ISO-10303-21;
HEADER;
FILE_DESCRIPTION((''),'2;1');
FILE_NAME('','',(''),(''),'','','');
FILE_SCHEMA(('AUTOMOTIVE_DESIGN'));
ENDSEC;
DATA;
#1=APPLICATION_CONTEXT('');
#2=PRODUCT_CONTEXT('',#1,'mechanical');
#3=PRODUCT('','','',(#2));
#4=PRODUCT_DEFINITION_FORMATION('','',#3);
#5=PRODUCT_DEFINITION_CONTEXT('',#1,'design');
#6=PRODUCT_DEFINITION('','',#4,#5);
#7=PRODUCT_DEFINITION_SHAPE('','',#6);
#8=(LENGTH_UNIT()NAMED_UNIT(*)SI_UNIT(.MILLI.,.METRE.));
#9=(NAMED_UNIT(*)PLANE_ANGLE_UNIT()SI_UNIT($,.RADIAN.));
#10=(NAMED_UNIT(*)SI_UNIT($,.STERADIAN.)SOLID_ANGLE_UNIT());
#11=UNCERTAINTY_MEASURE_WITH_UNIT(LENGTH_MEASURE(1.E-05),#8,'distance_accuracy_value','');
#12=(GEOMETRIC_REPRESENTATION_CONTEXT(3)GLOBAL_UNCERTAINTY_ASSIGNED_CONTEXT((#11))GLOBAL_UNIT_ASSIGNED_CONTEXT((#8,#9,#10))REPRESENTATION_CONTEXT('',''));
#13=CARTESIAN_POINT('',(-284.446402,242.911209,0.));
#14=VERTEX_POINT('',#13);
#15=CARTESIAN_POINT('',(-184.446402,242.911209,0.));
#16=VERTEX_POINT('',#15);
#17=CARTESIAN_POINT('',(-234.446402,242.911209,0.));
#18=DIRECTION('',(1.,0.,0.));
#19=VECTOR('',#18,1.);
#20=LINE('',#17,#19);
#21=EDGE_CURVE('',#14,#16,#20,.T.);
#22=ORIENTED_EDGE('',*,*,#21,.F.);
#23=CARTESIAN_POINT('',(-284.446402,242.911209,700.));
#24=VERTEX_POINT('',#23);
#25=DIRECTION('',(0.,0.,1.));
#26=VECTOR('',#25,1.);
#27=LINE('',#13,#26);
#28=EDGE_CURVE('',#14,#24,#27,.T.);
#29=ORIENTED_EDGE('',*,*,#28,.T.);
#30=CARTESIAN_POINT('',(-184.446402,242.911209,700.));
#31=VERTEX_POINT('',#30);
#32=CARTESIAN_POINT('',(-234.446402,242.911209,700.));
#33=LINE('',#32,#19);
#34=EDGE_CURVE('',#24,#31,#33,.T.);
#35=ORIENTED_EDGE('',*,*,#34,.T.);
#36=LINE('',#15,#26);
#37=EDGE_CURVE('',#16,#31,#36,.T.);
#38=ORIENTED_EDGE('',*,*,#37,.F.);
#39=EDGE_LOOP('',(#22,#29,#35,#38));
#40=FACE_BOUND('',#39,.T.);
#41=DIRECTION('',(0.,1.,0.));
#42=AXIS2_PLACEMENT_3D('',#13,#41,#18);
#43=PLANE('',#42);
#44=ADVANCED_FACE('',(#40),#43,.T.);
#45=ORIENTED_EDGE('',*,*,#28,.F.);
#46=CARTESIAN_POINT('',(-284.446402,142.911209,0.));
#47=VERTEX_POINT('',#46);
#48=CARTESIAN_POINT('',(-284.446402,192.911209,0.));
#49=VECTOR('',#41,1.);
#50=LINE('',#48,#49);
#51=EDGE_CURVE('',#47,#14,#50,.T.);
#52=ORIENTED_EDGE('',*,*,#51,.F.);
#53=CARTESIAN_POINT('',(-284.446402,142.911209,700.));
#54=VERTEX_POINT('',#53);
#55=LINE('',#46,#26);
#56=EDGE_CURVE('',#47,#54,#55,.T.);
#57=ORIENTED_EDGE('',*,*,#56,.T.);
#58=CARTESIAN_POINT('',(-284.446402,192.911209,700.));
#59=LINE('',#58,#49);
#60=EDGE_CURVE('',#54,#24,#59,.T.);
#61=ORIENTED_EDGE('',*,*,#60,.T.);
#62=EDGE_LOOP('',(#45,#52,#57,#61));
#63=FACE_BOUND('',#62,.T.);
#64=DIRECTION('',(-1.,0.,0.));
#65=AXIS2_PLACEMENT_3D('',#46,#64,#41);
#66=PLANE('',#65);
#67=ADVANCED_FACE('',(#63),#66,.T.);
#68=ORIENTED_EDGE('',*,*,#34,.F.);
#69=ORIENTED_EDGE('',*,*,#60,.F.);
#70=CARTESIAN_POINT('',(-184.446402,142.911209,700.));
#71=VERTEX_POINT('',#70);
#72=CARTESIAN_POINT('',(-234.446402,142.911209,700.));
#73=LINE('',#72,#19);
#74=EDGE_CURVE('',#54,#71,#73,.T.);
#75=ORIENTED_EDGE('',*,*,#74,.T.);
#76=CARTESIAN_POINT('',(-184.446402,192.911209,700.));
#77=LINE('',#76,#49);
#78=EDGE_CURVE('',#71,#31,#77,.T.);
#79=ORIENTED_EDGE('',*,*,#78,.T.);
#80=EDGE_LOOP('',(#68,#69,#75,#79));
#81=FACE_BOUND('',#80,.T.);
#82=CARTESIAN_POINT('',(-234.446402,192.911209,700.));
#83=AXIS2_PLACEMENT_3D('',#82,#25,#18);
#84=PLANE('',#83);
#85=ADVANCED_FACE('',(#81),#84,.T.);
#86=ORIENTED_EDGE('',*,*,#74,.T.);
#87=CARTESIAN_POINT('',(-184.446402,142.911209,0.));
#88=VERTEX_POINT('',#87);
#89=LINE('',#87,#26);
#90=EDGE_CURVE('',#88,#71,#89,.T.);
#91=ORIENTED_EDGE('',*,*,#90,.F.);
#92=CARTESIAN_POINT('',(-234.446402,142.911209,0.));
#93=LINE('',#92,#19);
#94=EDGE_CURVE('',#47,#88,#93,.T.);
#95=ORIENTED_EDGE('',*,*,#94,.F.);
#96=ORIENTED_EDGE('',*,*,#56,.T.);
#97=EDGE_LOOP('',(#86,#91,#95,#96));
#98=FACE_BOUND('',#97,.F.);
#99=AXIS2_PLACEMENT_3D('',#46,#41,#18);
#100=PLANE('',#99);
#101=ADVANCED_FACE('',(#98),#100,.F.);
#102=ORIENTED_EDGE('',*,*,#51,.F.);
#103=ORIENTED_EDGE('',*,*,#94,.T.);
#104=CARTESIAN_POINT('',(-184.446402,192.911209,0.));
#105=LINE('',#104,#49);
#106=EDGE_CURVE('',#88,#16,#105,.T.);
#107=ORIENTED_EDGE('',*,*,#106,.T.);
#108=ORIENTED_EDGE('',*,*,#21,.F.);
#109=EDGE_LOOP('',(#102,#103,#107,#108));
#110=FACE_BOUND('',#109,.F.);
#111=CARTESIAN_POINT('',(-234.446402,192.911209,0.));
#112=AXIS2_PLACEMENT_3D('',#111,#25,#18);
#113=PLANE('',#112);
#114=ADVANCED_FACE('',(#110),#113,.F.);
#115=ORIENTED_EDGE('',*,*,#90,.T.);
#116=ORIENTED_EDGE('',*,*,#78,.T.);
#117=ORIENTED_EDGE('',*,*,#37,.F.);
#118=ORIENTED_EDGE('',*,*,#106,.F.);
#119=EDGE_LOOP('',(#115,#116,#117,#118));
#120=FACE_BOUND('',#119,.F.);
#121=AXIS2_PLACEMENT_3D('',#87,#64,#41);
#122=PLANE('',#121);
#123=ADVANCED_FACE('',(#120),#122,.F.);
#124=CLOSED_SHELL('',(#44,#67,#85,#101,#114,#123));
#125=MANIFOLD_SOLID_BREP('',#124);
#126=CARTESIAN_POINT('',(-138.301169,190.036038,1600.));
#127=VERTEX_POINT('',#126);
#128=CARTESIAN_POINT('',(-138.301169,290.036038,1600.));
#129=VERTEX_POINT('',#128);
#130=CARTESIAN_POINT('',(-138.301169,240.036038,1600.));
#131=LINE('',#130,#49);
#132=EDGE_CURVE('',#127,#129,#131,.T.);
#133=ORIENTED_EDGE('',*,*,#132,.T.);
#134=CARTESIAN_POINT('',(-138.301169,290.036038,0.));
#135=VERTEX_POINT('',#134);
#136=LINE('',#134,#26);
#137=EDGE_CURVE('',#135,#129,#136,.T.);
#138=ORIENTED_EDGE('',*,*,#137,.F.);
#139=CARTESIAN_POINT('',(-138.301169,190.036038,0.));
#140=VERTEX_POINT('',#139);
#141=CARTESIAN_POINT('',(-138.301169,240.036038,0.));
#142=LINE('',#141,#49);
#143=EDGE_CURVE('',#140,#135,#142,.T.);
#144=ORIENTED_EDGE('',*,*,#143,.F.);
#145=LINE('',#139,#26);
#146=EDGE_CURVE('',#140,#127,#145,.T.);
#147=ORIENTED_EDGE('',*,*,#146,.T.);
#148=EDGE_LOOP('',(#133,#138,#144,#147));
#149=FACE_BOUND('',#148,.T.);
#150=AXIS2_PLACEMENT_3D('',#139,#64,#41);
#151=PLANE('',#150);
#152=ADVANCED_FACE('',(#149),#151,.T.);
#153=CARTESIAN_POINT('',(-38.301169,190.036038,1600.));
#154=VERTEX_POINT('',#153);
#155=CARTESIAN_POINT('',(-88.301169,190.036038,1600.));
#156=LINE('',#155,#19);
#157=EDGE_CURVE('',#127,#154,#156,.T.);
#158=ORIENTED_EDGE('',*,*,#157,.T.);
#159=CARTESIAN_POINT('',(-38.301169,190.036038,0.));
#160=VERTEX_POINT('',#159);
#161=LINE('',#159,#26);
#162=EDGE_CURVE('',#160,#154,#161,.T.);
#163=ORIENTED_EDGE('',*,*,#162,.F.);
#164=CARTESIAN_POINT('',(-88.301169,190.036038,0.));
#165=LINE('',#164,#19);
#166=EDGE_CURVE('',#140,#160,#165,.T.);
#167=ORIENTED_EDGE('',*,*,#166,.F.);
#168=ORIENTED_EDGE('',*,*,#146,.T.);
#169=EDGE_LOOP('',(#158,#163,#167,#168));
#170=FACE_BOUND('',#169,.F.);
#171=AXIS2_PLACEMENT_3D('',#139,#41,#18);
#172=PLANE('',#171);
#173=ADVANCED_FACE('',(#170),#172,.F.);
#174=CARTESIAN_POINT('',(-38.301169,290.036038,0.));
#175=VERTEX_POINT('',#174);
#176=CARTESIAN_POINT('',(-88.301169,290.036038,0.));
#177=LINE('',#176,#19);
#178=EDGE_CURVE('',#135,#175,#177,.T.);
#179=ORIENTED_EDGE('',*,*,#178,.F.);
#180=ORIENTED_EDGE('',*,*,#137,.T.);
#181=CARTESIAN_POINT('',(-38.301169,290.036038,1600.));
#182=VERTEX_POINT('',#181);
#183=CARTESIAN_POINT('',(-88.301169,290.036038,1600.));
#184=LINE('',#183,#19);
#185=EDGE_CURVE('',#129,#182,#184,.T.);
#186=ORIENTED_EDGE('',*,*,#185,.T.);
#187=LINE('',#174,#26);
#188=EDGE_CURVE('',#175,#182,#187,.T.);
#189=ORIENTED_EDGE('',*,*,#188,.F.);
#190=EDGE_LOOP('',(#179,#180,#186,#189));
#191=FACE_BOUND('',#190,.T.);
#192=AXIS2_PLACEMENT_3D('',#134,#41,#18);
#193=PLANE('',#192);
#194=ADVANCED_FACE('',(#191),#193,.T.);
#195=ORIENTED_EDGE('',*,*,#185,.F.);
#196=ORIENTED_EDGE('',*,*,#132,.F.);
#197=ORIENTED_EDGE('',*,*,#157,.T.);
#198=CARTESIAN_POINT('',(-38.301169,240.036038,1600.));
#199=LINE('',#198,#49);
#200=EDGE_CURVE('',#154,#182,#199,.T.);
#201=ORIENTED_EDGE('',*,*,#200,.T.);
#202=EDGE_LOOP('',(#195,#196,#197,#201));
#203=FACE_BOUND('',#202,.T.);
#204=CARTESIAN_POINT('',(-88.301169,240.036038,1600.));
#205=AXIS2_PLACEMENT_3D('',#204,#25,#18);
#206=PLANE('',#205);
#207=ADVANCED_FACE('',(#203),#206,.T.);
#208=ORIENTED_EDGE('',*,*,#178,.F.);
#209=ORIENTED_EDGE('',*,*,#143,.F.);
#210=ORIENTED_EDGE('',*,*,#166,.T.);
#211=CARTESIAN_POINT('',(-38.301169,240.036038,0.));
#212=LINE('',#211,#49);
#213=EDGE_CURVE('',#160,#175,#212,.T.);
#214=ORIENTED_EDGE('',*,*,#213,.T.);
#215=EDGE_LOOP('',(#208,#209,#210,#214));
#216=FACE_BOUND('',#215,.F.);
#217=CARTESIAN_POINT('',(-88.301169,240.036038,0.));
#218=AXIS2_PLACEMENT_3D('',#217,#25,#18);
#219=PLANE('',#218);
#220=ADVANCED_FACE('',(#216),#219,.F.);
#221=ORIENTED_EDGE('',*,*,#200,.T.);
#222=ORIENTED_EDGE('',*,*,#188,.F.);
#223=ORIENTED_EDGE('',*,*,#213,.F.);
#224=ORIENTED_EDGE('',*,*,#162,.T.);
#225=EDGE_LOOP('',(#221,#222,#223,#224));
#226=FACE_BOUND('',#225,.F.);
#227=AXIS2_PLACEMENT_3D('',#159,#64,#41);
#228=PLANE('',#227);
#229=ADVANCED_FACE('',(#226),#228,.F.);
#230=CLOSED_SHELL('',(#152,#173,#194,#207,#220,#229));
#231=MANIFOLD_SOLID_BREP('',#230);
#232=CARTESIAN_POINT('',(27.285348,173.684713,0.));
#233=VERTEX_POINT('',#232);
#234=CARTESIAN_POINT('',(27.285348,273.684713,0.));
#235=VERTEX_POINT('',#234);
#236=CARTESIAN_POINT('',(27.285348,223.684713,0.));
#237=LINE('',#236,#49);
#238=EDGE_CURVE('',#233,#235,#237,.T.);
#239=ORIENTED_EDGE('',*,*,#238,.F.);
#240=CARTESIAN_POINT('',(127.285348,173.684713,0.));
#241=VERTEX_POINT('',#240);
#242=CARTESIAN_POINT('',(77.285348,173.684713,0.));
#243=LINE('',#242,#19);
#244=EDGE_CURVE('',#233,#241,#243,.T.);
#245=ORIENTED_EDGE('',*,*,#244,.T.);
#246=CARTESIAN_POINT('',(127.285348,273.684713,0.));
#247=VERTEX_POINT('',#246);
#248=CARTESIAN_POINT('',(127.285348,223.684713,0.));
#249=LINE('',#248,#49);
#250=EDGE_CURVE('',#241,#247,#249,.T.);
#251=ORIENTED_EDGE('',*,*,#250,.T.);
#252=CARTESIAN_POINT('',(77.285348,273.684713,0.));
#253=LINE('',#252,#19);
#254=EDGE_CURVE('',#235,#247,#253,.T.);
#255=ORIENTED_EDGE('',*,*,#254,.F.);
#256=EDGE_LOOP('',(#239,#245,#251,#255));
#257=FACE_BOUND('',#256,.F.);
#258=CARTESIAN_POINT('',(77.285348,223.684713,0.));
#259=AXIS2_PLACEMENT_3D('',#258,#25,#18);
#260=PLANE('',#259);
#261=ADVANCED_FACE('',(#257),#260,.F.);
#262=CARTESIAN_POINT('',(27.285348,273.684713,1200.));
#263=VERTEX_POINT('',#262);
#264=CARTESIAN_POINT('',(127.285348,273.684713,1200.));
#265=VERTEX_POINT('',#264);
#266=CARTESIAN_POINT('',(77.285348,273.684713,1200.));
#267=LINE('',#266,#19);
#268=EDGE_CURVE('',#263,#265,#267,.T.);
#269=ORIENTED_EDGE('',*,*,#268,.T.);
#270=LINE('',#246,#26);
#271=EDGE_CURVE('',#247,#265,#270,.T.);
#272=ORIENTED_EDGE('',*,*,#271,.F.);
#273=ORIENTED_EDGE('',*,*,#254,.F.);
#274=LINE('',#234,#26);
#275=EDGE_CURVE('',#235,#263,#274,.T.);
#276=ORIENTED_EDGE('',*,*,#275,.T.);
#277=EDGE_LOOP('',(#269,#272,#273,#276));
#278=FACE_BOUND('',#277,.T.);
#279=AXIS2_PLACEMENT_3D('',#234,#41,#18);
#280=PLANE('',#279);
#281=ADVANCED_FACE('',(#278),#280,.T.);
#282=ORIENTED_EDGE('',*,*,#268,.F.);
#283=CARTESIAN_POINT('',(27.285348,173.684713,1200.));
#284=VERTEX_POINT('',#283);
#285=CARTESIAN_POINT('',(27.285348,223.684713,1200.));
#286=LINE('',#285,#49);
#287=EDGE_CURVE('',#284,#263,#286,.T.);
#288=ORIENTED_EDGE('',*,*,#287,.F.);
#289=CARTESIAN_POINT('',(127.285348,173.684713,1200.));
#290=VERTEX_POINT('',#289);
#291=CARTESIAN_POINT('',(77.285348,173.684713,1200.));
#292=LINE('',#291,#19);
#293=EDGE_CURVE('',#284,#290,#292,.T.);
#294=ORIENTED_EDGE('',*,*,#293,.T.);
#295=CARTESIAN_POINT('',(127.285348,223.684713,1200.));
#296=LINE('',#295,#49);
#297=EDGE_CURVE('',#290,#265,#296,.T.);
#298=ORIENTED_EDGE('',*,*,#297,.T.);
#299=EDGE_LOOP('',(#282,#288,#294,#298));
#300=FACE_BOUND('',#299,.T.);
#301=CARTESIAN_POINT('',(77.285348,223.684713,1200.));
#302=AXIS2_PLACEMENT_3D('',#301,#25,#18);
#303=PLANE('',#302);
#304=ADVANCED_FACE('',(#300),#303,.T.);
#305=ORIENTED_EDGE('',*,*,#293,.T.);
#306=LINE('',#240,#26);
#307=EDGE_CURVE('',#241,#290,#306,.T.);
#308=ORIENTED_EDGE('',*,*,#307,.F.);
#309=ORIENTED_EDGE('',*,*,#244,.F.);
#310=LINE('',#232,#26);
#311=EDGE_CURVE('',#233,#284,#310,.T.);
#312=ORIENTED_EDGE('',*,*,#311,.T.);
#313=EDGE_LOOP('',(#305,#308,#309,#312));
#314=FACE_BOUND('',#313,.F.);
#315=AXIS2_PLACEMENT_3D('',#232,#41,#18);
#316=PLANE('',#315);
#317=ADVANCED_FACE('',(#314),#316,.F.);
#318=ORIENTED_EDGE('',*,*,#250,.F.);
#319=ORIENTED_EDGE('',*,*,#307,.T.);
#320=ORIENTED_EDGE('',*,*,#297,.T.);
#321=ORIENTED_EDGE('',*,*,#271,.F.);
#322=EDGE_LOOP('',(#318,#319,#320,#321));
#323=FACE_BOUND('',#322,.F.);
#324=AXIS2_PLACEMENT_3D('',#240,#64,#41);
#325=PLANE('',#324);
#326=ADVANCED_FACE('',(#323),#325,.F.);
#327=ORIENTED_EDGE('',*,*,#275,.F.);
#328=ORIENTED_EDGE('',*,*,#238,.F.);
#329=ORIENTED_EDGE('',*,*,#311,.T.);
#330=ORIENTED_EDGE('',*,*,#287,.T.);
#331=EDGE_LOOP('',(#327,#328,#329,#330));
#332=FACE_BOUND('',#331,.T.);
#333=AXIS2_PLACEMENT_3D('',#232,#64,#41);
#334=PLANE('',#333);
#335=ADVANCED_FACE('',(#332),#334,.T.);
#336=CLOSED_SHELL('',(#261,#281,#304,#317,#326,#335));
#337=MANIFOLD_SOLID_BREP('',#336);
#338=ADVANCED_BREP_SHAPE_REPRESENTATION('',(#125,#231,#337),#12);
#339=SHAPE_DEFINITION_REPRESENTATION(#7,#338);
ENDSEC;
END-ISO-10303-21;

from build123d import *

# Parameters (mm, degrees)
F0_W     = 100
F0_H     = 100
F1_DEPTH = 700
F2_DEPTH = 1600
F3_DEPTH = 1200


with BuildPart() as f1:
    # F0 (on Top) → F1 (new body)
    with BuildSketch(Plane.XY):
        with Locations((-234.446402, 192.911209)):
            Rectangle(F0_W, F0_H)
    extrude(amount=F1_DEPTH)


with BuildPart() as f2:
    # F0 (on Top) → F2 (new body)
    with BuildSketch(Plane.XY):
        with Locations((-88.301169, 240.036038)):
            Rectangle(F0_W, F0_H)
    extrude(amount=F2_DEPTH)


with BuildPart() as f3:
    # F0 (on Top) → F3 (new body)
    with BuildSketch(Plane.XY):
        with Locations((77.285348, 223.684713)):
            Rectangle(F0_W, F0_H)
    extrude(amount=F3_DEPTH)


solid = Compound([f1.part, f2.part, f3.part])
